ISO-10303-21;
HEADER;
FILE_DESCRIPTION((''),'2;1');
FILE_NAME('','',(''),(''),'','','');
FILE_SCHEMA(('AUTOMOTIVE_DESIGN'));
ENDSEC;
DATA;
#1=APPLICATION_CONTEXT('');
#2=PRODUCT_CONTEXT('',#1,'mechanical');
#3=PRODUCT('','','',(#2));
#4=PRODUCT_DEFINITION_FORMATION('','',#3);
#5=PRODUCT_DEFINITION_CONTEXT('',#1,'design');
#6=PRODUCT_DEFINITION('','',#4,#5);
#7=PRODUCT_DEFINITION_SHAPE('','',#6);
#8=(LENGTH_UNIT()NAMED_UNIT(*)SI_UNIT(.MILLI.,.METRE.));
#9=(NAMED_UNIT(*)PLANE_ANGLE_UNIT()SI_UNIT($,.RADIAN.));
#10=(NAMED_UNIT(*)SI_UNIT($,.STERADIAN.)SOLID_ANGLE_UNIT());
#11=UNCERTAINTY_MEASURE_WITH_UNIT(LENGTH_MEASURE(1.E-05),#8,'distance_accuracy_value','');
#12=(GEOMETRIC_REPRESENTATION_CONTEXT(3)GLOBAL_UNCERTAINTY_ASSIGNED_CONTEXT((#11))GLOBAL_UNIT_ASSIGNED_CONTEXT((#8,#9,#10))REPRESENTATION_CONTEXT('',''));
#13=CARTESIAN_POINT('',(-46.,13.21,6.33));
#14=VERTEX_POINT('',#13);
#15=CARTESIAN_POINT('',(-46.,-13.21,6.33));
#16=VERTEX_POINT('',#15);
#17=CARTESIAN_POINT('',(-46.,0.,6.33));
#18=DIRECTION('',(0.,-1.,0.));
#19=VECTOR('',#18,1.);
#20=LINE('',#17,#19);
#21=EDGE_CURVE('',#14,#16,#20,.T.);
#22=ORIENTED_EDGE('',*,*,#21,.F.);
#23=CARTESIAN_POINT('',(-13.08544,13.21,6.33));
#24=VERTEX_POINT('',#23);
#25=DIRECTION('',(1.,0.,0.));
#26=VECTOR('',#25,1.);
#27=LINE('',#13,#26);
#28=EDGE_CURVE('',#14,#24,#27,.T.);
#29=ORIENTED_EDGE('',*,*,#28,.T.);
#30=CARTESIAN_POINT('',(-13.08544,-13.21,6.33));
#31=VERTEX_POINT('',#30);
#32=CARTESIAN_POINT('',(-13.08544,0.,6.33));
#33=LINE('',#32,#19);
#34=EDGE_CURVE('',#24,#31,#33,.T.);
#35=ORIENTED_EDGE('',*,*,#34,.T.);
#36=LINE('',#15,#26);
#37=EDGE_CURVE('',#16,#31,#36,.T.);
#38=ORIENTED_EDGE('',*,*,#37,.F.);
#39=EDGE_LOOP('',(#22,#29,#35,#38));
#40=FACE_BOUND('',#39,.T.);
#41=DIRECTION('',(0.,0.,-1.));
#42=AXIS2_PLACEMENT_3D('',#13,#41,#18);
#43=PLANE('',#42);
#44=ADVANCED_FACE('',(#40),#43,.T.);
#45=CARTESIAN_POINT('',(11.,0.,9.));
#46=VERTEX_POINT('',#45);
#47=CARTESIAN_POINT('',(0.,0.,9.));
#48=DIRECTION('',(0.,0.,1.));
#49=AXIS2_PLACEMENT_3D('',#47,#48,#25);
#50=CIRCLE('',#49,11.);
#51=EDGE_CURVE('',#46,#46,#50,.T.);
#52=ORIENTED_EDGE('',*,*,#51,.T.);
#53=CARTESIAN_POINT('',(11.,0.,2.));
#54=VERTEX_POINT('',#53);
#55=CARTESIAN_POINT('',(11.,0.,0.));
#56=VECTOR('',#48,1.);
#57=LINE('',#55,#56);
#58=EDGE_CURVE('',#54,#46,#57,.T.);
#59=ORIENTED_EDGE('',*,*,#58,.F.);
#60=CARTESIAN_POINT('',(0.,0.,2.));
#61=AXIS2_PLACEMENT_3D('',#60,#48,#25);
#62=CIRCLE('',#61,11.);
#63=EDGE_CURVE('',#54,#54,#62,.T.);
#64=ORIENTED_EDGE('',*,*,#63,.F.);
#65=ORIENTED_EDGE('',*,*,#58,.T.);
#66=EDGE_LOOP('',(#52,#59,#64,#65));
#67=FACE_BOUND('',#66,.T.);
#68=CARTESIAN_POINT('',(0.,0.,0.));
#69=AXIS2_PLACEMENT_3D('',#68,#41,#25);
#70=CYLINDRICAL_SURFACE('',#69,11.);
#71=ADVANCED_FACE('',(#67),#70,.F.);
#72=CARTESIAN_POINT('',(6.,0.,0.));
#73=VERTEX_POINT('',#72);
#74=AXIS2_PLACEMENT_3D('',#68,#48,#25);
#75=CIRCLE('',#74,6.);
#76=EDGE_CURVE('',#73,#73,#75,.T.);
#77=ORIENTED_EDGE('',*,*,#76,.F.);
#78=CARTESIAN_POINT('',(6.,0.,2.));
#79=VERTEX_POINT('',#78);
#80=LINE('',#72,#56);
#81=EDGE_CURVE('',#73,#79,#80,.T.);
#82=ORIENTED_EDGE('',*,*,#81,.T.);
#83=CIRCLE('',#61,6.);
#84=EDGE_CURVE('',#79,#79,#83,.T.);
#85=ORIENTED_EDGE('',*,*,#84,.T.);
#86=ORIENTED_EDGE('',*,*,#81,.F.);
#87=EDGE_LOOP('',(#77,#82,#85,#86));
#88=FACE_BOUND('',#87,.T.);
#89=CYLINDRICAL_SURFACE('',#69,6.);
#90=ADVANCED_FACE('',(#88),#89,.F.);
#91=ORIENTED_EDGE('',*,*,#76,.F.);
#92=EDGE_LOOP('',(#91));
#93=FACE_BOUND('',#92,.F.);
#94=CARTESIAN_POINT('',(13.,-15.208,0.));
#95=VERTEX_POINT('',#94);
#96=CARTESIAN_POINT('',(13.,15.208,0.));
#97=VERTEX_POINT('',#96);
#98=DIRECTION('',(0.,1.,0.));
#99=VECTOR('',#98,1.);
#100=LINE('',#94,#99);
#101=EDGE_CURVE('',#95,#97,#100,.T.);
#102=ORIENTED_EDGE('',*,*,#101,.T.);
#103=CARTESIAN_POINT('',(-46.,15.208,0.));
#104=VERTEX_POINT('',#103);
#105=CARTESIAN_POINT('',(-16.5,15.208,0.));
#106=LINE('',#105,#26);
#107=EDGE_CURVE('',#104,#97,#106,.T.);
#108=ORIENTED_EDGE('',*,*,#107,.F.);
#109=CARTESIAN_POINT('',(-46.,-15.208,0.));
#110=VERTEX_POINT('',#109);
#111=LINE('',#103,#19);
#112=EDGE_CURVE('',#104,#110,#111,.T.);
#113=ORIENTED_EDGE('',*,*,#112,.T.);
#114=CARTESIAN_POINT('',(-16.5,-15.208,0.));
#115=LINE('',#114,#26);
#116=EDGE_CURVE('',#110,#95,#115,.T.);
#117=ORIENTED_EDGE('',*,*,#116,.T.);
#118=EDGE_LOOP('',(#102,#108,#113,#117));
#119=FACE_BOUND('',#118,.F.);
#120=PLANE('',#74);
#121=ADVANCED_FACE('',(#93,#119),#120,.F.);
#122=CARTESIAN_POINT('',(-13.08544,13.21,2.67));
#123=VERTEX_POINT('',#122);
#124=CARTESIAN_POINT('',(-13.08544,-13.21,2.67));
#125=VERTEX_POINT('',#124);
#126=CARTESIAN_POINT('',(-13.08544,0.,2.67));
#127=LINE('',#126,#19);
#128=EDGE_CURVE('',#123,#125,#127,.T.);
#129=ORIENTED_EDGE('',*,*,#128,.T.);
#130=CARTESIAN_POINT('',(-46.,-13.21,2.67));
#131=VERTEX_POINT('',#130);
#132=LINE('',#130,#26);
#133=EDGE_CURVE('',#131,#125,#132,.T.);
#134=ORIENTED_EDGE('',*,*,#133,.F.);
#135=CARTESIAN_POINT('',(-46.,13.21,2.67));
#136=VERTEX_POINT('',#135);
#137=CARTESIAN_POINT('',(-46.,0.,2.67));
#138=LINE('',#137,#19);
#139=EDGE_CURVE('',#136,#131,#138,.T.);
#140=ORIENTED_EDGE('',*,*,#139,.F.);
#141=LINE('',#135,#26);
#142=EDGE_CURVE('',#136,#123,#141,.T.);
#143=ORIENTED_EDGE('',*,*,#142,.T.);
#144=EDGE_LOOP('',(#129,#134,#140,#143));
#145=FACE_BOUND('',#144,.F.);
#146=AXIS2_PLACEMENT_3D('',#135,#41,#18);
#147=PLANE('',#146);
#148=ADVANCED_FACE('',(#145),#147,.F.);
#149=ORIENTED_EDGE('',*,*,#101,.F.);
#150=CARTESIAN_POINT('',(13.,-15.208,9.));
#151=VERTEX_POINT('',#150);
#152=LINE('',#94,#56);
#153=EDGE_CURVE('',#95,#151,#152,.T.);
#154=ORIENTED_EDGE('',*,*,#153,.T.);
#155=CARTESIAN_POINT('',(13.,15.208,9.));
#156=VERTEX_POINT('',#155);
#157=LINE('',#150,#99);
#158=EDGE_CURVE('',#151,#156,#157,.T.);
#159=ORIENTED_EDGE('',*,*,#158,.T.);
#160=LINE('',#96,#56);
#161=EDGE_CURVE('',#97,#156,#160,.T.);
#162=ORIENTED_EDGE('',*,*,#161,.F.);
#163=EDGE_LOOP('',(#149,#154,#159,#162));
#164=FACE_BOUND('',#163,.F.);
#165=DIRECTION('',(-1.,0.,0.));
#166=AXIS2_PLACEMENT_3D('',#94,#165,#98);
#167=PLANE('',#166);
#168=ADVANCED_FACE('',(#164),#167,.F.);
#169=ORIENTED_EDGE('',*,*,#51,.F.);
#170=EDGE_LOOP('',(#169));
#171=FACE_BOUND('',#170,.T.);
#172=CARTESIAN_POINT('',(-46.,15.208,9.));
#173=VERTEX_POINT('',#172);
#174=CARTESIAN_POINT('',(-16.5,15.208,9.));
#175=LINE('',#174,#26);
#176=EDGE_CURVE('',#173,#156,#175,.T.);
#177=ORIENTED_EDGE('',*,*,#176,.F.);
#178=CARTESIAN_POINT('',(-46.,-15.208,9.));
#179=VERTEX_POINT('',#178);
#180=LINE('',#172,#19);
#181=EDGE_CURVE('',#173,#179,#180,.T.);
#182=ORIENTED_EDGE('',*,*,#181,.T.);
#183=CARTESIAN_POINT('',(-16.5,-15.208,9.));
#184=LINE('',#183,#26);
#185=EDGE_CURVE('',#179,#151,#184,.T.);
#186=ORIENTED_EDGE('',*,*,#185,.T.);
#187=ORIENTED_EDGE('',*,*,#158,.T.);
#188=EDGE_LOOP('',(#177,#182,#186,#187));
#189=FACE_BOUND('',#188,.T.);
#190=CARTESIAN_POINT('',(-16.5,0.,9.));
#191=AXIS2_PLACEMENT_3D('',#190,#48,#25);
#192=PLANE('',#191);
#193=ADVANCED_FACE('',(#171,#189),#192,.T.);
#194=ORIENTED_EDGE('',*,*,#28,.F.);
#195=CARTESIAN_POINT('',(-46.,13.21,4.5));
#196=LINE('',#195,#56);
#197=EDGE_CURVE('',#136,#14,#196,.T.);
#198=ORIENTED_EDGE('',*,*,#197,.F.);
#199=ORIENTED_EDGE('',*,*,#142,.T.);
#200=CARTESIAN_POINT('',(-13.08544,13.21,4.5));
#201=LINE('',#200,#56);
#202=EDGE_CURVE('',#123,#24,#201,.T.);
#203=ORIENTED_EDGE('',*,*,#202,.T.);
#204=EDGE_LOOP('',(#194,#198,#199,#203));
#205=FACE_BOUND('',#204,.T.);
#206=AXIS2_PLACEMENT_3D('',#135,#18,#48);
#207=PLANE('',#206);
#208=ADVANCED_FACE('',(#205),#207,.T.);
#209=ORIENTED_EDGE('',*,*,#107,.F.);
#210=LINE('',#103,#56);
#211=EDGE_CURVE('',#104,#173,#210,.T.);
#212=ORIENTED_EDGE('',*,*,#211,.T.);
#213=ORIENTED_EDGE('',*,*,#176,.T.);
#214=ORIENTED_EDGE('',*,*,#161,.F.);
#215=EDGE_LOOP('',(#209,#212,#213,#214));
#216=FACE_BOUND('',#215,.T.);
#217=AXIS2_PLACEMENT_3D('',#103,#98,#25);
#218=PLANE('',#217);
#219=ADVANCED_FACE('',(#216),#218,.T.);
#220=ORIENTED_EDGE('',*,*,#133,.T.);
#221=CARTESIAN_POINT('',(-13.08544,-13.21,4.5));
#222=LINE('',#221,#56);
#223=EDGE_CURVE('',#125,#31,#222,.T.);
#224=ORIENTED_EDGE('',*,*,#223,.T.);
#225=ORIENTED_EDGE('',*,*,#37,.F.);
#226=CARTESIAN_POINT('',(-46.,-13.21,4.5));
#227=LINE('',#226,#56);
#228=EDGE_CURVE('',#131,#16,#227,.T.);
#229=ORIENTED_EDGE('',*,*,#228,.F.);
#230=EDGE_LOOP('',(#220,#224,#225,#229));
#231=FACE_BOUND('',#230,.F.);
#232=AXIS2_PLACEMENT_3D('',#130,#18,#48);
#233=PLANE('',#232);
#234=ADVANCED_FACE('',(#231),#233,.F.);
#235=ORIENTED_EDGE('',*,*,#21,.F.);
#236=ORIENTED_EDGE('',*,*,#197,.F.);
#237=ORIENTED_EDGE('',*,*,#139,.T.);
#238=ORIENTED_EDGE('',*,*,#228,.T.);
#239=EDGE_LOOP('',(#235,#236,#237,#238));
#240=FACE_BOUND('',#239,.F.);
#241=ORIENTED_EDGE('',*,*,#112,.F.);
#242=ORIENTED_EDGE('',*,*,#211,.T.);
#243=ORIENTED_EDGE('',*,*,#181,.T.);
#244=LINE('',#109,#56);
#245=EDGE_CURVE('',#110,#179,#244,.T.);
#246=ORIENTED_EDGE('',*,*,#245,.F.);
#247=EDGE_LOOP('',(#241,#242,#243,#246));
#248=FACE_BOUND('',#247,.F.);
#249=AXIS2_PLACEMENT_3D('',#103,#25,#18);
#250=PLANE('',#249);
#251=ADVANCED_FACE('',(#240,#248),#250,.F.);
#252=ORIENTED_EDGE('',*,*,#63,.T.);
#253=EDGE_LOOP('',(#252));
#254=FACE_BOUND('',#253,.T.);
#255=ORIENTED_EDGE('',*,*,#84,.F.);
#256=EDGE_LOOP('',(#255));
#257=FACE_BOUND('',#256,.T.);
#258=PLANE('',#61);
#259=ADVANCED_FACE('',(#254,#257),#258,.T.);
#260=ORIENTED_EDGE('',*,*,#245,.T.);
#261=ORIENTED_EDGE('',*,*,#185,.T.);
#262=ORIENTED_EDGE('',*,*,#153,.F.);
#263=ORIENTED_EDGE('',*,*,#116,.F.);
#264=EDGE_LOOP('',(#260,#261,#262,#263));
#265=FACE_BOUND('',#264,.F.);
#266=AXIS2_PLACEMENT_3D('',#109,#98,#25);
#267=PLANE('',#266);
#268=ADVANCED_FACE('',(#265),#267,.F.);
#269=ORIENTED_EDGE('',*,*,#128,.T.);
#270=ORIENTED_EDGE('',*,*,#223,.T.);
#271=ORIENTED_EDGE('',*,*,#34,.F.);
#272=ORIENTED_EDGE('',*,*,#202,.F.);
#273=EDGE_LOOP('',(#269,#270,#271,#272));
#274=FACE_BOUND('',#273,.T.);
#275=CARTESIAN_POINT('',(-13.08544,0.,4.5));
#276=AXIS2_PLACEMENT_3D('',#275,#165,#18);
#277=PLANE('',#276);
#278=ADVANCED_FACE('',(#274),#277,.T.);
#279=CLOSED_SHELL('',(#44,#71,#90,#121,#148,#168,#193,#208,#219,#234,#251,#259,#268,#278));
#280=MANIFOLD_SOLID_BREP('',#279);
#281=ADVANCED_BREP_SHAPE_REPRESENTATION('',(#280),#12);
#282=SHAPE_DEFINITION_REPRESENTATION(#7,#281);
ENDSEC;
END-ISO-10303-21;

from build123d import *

# Parameters (mm, degrees)
F0_R     = 13
F0_R_2   = 11
F0_W     = 59
F0_H     = 2
F1_DEPTH = 9
F0_R_3   = 6
F2_DEPTH = 2
F3_W     = 26.42
F3_H     = 3.66
F4_DEPTH = 32.91456


with BuildPart() as f1:
    # F0 (on Top) → F1 (new body)
    with BuildSketch(Plane.XY):
        Polygon((13, -13.208), (13, 0), (13, 13.208), (-46, 13.208), (-46, -13.208), align=None)
        Circle(F0_R, mode=Mode.SUBTRACT)
        Circle(F0_R)
        Circle(F0_R_2, mode=Mode.SUBTRACT)
        with Locations((-16.5, 14.208)):
            Rectangle(F0_W, F0_H)
        with Locations((-16.5, -14.208)):
            Rectangle(F0_W, F0_H)
    extrude(amount=F1_DEPTH)

    # F0 (on Top) → F2 (join)
    with BuildSketch(Plane.XY):
        Circle(F0_R_2)
        Circle(F0_R_3, mode=Mode.SUBTRACT)
    extrude(amount=F2_DEPTH)

    # F3 (on face) → F4 (cut)
    with BuildSketch(Plane(origin=(-46, 0, 0), x_dir=(0, -1, 0), z_dir=(-1, 0, 0))):
        with Locations((0, 4.5)):
            Rectangle(F3_W, F3_H)
    extrude(amount=-F4_DEPTH, mode=Mode.SUBTRACT)


solid = f1.part
